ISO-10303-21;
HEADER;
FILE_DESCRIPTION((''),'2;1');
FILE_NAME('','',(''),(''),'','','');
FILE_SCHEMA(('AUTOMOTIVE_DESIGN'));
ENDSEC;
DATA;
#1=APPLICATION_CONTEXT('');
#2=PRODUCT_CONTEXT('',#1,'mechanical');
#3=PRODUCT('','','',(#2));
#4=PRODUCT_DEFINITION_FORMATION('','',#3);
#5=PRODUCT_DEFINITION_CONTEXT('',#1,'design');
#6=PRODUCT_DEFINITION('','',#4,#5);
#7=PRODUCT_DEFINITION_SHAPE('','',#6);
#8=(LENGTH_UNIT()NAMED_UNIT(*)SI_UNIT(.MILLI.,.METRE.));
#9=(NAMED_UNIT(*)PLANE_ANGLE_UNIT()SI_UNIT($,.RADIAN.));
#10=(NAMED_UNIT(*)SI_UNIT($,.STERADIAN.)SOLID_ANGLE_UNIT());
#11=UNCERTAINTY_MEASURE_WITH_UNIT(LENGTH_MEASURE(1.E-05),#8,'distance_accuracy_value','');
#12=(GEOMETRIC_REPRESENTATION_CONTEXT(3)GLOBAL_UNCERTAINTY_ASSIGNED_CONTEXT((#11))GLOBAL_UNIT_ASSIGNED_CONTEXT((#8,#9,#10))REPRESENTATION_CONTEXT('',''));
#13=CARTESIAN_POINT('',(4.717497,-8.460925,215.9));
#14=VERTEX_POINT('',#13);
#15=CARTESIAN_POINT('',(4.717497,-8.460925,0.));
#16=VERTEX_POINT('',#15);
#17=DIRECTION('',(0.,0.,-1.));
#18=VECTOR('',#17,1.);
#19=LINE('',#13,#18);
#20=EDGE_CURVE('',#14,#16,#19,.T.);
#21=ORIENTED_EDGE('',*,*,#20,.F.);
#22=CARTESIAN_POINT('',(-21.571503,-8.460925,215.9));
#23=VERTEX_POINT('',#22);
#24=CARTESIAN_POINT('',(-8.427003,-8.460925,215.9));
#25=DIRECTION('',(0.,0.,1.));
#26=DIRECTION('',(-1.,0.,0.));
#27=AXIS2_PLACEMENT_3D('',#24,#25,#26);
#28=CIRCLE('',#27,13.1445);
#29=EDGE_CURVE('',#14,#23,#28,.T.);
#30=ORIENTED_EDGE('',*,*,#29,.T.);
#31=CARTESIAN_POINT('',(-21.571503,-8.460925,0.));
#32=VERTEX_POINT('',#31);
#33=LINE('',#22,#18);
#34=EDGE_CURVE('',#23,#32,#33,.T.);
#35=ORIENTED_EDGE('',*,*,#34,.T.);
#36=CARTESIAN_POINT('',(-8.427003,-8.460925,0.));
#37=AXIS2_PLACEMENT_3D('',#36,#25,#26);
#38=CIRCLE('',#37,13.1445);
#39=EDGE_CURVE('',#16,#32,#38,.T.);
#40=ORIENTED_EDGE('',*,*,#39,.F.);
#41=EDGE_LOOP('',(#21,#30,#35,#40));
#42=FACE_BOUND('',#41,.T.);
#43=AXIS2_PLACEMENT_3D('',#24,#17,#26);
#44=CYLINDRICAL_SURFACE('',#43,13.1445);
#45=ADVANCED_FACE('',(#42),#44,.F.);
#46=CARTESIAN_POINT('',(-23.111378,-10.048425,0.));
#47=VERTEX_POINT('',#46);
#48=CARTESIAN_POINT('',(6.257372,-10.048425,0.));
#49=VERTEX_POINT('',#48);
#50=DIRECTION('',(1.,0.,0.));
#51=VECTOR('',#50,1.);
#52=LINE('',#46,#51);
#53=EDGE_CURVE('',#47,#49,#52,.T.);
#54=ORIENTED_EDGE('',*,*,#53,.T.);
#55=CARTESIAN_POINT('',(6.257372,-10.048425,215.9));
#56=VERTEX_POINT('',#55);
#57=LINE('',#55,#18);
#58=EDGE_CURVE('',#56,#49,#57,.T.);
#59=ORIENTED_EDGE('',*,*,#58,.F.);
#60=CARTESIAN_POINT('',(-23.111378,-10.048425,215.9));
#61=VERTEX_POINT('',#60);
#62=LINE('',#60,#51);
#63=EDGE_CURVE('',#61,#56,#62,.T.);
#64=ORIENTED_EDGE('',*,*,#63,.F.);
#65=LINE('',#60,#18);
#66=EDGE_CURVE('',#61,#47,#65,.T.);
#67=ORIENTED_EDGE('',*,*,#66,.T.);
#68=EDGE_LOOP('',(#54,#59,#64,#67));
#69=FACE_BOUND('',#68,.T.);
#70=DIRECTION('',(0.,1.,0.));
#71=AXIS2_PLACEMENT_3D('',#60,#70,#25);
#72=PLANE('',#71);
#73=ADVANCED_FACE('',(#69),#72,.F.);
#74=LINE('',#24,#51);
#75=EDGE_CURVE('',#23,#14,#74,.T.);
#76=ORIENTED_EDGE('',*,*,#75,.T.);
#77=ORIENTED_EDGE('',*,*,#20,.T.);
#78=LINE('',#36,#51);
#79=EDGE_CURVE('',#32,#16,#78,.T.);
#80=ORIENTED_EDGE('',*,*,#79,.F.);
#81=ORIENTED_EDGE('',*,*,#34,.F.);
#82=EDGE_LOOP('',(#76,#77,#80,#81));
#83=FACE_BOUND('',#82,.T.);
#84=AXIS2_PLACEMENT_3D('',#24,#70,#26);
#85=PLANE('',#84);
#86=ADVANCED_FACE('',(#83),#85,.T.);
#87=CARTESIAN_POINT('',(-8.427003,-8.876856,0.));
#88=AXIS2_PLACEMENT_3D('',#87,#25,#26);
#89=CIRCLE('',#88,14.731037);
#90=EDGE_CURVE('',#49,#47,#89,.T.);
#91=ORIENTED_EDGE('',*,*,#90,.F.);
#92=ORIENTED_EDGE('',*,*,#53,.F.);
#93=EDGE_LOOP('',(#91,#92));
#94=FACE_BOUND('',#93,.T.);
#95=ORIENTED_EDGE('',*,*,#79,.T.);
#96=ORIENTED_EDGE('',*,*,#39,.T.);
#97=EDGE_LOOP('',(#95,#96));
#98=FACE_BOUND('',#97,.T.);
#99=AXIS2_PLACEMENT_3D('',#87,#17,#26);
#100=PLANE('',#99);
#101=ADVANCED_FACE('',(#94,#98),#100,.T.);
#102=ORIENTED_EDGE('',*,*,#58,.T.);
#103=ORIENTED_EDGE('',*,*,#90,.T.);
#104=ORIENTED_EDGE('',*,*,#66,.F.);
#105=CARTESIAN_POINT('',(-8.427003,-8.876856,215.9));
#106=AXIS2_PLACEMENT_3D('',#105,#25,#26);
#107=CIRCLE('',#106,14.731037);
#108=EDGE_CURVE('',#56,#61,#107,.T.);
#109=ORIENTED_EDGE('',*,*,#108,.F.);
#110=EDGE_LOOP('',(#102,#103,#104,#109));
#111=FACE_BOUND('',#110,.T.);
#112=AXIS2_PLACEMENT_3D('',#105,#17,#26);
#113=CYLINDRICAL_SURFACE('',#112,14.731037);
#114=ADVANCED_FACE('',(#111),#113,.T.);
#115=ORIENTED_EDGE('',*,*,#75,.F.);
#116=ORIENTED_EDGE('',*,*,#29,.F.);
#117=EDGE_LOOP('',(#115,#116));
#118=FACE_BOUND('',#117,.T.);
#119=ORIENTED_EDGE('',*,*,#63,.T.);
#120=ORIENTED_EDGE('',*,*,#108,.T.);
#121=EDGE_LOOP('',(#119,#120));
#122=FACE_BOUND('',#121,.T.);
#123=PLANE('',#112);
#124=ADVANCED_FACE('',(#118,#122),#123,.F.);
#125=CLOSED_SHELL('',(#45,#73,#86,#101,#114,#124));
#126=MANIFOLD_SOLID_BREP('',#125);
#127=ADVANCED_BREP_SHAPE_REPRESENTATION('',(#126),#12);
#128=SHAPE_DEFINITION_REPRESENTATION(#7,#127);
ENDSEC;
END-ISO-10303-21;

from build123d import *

# Parameters (mm, degrees)
BOSS_EXTRUDE2_DEPTH = 215.9


with BuildPart() as part:
    # Sketch1 → Boss-Extrude2 (new body)
    with BuildSketch(Plane.XY):
        with BuildLine():
            Line((-23.111377793, -10.048425127), (6.257372207, -10.048425127))
            ThreePointArc((6.257372207, -10.048425127), (-8.427002793, 5.85418124), (-23.111377793, -10.048425127))
        make_face()
        with BuildLine():
            Line((-8.427002793, -8.460925127), (-21.571502793, -8.460925127))
            ThreePointArc((-21.571502793, -8.460925127), (-8.427002793, 4.683574873), (4.717497207, -8.460925127))
            Line((4.717497207, -8.460925127), (-8.427002793, -8.460925127))
        make_face(mode=Mode.SUBTRACT)
    extrude(amount=BOSS_EXTRUDE2_DEPTH)


solid = part.part
